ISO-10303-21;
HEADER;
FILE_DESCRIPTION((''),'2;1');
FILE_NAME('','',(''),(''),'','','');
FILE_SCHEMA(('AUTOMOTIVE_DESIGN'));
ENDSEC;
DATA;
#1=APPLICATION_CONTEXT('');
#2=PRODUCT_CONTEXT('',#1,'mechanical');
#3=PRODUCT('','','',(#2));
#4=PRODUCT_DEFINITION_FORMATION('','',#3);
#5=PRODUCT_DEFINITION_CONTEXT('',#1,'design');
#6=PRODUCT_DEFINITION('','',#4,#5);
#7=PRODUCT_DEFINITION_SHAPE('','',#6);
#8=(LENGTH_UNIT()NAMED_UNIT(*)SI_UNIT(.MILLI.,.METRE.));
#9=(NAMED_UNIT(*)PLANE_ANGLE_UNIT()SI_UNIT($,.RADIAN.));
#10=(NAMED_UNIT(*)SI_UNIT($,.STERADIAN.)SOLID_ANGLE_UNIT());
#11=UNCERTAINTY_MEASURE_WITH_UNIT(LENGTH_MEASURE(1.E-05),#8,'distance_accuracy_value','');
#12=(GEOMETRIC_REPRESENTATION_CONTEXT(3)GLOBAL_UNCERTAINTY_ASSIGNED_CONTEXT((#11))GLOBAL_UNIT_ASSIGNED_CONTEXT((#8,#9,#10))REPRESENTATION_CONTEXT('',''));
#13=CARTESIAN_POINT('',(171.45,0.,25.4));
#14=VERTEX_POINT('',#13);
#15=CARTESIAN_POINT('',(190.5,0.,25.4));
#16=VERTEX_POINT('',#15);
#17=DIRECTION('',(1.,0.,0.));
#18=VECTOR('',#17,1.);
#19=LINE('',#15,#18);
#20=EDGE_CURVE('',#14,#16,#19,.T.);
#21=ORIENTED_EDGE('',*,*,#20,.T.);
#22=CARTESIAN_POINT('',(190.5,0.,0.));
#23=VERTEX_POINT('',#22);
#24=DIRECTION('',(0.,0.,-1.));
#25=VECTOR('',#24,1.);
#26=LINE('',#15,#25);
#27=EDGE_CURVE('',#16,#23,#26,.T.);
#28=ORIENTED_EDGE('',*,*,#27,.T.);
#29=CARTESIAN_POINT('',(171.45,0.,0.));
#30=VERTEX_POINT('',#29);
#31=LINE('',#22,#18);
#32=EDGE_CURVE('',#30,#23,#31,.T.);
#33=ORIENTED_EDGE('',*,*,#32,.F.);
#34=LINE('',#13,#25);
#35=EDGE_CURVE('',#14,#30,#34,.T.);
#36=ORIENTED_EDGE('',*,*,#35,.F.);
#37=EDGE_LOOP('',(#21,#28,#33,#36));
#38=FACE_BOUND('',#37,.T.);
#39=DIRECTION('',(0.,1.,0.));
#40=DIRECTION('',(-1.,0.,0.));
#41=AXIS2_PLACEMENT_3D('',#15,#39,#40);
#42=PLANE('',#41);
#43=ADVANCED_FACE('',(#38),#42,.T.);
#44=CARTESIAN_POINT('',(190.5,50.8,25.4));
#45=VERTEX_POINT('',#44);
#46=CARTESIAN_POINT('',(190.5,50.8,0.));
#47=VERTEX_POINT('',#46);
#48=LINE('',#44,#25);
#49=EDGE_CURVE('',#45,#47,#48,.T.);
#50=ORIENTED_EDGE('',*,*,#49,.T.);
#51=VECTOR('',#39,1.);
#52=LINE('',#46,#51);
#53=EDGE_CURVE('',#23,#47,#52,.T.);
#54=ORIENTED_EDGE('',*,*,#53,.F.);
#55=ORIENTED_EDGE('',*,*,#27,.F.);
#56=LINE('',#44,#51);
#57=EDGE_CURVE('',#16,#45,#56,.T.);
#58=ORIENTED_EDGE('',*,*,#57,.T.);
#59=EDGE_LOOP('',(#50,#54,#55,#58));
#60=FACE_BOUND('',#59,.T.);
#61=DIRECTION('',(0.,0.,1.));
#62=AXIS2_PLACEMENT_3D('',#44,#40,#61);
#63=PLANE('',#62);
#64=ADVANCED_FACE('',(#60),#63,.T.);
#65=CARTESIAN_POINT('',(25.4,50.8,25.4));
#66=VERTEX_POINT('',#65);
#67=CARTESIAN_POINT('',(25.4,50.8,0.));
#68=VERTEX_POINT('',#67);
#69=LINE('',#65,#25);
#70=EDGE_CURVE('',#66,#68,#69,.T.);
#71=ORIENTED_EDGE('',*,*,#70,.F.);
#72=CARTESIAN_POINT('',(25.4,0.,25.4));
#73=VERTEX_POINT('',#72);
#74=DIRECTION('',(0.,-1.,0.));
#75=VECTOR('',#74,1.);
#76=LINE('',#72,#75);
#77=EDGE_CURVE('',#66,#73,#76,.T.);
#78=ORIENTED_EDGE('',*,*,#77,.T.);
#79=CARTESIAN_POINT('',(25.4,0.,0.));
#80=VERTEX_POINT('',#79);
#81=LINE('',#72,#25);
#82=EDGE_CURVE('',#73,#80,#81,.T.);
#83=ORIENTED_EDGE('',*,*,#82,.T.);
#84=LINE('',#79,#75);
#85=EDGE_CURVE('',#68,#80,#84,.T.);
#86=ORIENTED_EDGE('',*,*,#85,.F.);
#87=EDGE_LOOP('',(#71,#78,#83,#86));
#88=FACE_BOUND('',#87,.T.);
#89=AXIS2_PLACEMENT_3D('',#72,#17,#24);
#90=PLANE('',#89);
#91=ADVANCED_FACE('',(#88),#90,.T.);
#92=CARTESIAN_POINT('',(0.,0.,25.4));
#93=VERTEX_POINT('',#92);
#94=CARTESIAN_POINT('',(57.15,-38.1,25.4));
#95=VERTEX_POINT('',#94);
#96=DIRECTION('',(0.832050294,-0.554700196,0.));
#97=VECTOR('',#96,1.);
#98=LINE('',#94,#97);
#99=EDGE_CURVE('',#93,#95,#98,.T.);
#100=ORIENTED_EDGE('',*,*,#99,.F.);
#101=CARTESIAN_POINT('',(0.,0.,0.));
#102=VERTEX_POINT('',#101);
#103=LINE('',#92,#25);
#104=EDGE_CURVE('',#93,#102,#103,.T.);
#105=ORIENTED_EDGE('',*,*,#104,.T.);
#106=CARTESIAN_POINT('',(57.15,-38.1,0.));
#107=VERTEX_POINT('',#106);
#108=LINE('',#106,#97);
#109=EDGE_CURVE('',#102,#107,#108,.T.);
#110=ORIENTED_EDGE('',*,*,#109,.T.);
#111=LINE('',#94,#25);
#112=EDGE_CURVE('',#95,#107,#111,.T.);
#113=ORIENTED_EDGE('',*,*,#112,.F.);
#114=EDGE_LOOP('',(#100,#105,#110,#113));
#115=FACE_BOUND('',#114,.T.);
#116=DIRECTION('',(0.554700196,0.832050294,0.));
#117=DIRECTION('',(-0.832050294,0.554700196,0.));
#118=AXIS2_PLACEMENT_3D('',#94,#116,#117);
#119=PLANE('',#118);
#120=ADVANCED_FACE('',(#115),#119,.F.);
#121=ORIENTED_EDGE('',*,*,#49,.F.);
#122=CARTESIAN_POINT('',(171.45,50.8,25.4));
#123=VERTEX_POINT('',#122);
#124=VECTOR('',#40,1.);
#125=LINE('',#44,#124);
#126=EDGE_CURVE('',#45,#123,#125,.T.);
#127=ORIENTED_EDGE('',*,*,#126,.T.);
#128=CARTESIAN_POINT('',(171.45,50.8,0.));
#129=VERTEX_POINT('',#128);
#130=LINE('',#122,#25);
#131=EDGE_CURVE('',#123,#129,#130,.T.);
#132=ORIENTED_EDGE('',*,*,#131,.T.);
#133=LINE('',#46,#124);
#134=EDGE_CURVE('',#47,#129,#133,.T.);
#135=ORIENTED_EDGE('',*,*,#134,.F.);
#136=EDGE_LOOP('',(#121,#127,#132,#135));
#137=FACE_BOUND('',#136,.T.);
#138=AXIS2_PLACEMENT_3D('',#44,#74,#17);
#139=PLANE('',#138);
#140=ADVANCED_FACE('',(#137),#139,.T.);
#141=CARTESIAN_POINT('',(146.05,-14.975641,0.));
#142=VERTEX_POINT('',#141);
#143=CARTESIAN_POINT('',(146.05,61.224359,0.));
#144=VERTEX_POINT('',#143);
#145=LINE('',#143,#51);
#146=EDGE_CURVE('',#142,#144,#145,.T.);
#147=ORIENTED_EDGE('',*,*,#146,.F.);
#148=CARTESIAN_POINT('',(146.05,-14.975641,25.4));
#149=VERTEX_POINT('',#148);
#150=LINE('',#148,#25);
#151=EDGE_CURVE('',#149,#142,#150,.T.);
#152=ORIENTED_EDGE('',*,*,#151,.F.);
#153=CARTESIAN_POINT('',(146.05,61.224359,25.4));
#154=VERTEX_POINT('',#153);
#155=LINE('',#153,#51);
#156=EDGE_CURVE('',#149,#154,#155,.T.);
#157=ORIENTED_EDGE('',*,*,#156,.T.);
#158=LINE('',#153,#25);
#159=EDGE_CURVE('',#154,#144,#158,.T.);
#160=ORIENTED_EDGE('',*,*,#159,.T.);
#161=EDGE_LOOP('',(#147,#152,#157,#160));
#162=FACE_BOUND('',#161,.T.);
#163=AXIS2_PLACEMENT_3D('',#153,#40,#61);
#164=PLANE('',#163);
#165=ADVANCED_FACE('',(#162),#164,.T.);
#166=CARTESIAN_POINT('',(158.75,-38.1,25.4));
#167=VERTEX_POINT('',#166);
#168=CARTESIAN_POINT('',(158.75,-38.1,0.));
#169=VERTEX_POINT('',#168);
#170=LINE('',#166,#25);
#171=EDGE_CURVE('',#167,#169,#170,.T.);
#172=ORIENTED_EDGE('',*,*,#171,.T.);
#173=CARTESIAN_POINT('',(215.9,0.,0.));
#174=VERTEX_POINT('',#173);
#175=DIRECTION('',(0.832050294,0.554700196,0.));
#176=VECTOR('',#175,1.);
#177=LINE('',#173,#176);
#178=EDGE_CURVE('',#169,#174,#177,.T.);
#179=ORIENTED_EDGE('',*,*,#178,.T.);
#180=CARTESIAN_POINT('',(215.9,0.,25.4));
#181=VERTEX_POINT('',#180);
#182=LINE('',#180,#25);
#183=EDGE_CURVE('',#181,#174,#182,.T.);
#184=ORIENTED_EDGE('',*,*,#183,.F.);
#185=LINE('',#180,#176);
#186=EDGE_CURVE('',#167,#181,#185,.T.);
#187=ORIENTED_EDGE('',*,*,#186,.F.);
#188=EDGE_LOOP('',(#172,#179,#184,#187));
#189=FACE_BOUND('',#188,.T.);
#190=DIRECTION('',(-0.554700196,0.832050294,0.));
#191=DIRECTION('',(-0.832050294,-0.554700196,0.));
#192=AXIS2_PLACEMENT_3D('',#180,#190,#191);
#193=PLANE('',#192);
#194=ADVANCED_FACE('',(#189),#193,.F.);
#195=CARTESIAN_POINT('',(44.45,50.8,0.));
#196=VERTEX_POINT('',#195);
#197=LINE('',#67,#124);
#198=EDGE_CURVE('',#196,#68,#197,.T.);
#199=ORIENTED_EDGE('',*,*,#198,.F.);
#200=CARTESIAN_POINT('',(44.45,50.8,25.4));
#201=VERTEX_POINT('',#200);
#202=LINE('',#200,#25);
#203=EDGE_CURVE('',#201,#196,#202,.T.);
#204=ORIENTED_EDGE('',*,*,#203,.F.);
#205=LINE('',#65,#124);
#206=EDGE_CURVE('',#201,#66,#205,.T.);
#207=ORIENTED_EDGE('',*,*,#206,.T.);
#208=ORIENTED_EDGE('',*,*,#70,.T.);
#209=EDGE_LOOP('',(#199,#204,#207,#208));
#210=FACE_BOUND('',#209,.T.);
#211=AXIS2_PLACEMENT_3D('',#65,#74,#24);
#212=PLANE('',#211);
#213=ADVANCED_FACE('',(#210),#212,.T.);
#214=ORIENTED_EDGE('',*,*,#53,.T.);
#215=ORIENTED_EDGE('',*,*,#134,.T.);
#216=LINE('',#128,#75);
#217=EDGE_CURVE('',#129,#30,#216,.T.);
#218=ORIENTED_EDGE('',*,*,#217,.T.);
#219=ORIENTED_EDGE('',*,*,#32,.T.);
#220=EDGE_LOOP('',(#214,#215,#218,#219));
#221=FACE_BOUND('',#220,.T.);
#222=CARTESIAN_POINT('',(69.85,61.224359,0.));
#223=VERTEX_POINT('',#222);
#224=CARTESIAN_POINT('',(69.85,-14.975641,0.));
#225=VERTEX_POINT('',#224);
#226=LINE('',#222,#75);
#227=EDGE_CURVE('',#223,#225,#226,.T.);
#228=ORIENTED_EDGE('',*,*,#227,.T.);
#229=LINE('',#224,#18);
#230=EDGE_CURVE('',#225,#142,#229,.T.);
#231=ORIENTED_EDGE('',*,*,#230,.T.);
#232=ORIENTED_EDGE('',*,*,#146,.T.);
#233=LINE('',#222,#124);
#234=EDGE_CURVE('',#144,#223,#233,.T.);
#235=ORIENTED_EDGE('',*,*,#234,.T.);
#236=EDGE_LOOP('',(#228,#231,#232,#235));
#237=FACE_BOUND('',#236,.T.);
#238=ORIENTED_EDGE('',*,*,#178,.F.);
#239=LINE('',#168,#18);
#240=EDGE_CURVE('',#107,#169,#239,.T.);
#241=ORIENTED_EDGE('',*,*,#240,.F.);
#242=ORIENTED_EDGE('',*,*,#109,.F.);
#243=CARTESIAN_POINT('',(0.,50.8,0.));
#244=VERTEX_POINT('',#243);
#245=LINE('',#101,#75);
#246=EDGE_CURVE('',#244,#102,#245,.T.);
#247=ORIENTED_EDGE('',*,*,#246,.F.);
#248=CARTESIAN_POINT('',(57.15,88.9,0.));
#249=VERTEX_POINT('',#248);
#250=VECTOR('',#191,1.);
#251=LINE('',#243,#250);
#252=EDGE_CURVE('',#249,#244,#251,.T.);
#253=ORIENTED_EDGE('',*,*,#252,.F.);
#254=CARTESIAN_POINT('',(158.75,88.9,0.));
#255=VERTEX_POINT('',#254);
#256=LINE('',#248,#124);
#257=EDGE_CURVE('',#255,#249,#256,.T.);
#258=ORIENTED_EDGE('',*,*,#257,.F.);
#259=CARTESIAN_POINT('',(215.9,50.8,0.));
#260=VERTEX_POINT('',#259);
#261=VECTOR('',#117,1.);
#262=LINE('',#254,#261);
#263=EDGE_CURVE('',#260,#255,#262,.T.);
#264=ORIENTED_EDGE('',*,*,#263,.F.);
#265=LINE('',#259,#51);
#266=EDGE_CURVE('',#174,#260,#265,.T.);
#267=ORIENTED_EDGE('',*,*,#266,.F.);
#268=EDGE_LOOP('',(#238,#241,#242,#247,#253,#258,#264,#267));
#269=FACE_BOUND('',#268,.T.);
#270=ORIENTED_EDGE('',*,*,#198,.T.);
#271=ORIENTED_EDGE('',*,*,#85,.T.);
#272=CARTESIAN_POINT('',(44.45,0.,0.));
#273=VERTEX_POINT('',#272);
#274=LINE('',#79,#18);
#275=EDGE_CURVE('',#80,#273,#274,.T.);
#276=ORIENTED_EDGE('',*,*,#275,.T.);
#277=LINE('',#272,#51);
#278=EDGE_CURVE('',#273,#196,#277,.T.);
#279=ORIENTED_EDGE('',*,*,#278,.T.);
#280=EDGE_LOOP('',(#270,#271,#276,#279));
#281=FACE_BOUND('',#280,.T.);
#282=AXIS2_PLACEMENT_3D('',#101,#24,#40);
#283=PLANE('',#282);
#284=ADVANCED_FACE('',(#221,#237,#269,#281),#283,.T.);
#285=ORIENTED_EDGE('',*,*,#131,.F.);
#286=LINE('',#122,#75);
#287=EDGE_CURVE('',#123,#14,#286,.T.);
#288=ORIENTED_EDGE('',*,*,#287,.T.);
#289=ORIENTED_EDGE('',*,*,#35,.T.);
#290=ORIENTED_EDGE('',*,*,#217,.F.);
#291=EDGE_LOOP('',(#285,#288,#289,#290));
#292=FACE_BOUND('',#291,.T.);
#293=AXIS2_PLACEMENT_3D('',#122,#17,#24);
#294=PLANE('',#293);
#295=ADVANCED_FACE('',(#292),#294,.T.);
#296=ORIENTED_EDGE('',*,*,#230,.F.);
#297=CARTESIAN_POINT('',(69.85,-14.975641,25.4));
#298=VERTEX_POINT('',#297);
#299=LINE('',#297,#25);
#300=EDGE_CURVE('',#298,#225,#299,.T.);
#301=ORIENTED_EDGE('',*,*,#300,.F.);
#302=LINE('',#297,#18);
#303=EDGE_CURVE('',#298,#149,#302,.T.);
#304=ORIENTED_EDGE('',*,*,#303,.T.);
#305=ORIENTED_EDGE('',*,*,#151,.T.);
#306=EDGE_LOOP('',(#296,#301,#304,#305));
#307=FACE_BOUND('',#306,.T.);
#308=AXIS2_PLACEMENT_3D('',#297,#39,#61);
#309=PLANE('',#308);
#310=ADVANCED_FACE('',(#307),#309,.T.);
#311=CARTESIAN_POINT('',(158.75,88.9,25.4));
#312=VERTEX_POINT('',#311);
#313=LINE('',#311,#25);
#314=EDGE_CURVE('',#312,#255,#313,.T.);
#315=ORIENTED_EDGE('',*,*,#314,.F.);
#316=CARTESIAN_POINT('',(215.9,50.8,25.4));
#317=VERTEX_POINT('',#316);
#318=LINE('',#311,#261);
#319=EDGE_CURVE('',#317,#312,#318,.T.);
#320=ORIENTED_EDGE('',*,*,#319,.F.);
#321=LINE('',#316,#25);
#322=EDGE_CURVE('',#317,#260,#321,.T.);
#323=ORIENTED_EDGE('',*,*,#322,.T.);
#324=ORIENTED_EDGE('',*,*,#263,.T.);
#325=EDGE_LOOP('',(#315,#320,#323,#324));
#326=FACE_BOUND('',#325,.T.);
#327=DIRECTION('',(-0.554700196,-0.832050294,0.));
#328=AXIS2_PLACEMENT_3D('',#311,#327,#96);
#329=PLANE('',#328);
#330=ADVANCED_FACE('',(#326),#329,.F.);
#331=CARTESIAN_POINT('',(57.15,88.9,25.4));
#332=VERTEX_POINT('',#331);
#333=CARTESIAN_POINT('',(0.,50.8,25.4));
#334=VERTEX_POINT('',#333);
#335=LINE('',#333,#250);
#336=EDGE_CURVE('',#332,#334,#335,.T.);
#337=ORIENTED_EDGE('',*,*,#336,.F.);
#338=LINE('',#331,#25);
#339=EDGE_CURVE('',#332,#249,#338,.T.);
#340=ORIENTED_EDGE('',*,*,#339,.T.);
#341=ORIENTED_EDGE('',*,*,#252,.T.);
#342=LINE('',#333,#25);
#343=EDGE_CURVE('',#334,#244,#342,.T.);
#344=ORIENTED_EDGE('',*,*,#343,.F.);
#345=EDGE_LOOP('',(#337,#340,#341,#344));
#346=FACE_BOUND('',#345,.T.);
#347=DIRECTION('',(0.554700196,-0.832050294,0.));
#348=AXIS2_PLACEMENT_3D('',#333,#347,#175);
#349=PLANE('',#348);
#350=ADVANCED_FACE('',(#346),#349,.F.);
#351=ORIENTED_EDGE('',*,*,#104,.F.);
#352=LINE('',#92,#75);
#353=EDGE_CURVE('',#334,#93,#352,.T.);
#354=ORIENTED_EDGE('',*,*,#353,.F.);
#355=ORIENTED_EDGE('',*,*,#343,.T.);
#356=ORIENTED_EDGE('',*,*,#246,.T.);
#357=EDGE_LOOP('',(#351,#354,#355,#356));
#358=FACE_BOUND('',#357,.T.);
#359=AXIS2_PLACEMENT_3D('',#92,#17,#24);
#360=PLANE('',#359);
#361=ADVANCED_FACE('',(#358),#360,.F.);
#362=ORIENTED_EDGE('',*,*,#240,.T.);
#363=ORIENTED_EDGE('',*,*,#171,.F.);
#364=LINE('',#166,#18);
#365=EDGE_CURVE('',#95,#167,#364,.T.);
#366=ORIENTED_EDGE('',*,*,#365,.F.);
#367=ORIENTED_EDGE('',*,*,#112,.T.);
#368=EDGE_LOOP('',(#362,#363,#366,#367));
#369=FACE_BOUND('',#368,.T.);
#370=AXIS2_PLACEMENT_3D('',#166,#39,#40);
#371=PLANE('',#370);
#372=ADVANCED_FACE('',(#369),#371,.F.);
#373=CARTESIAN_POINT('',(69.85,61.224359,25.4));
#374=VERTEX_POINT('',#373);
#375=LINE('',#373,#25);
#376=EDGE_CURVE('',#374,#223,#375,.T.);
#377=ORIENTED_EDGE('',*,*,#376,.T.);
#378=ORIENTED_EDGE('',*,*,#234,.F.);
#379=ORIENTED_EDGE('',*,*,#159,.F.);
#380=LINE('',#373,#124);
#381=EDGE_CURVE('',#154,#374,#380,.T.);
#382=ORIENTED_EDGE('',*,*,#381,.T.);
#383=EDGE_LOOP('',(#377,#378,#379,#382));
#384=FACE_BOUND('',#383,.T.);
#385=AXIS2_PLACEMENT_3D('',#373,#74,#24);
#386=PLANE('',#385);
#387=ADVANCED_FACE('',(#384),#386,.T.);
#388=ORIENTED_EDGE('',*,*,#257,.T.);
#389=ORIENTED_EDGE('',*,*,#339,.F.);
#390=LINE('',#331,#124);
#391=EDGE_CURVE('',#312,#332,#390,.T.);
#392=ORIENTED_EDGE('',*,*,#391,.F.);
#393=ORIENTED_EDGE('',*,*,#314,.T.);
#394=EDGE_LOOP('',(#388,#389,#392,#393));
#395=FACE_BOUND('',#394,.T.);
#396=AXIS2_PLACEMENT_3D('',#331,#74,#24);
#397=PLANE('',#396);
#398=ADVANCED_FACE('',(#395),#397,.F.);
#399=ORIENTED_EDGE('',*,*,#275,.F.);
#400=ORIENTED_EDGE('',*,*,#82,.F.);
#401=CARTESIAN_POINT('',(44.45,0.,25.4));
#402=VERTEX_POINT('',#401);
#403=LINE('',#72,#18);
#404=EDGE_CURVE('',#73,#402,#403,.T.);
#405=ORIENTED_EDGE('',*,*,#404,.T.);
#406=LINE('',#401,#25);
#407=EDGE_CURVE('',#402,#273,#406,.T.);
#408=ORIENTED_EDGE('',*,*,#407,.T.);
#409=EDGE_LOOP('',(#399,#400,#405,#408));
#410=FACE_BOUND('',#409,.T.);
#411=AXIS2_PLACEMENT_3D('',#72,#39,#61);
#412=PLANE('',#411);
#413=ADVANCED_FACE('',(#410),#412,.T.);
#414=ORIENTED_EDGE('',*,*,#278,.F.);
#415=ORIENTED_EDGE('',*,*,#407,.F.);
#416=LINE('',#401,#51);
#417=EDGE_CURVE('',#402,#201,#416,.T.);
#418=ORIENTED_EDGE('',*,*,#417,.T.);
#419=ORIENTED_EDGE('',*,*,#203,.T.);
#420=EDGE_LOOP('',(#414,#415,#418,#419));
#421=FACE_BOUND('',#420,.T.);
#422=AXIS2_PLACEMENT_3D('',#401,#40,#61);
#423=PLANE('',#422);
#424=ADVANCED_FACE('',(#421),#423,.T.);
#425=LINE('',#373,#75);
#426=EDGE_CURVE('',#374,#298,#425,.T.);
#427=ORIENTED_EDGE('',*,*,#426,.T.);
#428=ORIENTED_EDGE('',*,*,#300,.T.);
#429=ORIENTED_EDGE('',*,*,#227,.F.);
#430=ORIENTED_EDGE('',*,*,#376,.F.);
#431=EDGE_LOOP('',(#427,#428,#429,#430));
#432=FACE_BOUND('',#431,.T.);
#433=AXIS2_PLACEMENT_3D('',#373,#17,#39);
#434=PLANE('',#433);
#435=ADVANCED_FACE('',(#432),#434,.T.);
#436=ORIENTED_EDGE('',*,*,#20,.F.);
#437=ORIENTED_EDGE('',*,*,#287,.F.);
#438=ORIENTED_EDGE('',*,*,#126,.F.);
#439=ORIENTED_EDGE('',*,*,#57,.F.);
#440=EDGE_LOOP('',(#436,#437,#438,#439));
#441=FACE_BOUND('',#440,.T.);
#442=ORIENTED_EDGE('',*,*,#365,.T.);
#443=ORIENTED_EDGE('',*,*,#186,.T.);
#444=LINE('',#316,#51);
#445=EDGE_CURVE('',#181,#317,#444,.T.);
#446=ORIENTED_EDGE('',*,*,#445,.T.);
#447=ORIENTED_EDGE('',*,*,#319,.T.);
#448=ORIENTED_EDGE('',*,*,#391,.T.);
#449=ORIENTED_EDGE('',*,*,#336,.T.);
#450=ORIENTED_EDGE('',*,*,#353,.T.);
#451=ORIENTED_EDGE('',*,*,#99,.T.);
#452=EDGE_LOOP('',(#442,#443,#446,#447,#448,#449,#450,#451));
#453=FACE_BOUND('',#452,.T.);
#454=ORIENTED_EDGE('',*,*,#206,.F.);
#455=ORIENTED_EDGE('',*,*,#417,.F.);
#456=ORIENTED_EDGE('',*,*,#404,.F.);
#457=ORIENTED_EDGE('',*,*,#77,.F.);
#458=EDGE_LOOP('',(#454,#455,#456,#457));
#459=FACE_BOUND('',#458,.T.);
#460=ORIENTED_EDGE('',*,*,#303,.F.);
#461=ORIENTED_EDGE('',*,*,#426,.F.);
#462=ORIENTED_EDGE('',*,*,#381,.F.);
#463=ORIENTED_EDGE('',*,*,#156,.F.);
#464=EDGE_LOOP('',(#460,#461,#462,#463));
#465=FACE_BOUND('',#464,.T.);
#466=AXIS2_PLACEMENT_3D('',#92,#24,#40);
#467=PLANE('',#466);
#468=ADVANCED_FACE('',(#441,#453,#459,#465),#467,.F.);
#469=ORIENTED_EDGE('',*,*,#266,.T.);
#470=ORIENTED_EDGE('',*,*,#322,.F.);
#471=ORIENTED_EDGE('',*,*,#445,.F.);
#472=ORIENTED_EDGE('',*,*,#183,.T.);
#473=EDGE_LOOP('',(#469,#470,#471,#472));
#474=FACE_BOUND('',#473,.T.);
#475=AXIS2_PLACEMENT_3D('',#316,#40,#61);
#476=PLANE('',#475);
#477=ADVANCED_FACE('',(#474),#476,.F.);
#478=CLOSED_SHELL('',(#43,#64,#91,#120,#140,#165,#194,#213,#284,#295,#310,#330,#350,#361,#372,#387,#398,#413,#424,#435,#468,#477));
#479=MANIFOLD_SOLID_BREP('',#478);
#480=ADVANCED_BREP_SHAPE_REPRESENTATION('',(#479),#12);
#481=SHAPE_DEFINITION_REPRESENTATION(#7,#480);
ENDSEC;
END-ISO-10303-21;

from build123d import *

# Parameters (mm, degrees)
SKETCH1_W           = 19.05
SKETCH1_H           = 50.8
SKETCH1_W_2         = 76.2
SKETCH1_H_2         = 76.2
BOSS_EXTRUDE1_DEPTH = 25.4


with BuildPart() as part:
    # Sketch1 → Boss-Extrude1 (new body)
    with BuildSketch(Plane.XY):
        Polygon((0, 0), (0, 50.8), (57.15, 88.9), (158.75, 88.9), (215.9, 50.8), (215.9, 0), (158.75, -38.1), (57.15, -38.1), align=None)
        with Locations((34.925, 25.4)):
            Rectangle(SKETCH1_W, SKETCH1_H, mode=Mode.SUBTRACT)
        with Locations((107.95, 23.124358826)):
            Rectangle(SKETCH1_W_2, SKETCH1_H_2, mode=Mode.SUBTRACT)
        with Locations((180.975, 25.4)):
            Rectangle(SKETCH1_W, SKETCH1_H, mode=Mode.SUBTRACT)
    extrude(amount=BOSS_EXTRUDE1_DEPTH)


solid = part.part
